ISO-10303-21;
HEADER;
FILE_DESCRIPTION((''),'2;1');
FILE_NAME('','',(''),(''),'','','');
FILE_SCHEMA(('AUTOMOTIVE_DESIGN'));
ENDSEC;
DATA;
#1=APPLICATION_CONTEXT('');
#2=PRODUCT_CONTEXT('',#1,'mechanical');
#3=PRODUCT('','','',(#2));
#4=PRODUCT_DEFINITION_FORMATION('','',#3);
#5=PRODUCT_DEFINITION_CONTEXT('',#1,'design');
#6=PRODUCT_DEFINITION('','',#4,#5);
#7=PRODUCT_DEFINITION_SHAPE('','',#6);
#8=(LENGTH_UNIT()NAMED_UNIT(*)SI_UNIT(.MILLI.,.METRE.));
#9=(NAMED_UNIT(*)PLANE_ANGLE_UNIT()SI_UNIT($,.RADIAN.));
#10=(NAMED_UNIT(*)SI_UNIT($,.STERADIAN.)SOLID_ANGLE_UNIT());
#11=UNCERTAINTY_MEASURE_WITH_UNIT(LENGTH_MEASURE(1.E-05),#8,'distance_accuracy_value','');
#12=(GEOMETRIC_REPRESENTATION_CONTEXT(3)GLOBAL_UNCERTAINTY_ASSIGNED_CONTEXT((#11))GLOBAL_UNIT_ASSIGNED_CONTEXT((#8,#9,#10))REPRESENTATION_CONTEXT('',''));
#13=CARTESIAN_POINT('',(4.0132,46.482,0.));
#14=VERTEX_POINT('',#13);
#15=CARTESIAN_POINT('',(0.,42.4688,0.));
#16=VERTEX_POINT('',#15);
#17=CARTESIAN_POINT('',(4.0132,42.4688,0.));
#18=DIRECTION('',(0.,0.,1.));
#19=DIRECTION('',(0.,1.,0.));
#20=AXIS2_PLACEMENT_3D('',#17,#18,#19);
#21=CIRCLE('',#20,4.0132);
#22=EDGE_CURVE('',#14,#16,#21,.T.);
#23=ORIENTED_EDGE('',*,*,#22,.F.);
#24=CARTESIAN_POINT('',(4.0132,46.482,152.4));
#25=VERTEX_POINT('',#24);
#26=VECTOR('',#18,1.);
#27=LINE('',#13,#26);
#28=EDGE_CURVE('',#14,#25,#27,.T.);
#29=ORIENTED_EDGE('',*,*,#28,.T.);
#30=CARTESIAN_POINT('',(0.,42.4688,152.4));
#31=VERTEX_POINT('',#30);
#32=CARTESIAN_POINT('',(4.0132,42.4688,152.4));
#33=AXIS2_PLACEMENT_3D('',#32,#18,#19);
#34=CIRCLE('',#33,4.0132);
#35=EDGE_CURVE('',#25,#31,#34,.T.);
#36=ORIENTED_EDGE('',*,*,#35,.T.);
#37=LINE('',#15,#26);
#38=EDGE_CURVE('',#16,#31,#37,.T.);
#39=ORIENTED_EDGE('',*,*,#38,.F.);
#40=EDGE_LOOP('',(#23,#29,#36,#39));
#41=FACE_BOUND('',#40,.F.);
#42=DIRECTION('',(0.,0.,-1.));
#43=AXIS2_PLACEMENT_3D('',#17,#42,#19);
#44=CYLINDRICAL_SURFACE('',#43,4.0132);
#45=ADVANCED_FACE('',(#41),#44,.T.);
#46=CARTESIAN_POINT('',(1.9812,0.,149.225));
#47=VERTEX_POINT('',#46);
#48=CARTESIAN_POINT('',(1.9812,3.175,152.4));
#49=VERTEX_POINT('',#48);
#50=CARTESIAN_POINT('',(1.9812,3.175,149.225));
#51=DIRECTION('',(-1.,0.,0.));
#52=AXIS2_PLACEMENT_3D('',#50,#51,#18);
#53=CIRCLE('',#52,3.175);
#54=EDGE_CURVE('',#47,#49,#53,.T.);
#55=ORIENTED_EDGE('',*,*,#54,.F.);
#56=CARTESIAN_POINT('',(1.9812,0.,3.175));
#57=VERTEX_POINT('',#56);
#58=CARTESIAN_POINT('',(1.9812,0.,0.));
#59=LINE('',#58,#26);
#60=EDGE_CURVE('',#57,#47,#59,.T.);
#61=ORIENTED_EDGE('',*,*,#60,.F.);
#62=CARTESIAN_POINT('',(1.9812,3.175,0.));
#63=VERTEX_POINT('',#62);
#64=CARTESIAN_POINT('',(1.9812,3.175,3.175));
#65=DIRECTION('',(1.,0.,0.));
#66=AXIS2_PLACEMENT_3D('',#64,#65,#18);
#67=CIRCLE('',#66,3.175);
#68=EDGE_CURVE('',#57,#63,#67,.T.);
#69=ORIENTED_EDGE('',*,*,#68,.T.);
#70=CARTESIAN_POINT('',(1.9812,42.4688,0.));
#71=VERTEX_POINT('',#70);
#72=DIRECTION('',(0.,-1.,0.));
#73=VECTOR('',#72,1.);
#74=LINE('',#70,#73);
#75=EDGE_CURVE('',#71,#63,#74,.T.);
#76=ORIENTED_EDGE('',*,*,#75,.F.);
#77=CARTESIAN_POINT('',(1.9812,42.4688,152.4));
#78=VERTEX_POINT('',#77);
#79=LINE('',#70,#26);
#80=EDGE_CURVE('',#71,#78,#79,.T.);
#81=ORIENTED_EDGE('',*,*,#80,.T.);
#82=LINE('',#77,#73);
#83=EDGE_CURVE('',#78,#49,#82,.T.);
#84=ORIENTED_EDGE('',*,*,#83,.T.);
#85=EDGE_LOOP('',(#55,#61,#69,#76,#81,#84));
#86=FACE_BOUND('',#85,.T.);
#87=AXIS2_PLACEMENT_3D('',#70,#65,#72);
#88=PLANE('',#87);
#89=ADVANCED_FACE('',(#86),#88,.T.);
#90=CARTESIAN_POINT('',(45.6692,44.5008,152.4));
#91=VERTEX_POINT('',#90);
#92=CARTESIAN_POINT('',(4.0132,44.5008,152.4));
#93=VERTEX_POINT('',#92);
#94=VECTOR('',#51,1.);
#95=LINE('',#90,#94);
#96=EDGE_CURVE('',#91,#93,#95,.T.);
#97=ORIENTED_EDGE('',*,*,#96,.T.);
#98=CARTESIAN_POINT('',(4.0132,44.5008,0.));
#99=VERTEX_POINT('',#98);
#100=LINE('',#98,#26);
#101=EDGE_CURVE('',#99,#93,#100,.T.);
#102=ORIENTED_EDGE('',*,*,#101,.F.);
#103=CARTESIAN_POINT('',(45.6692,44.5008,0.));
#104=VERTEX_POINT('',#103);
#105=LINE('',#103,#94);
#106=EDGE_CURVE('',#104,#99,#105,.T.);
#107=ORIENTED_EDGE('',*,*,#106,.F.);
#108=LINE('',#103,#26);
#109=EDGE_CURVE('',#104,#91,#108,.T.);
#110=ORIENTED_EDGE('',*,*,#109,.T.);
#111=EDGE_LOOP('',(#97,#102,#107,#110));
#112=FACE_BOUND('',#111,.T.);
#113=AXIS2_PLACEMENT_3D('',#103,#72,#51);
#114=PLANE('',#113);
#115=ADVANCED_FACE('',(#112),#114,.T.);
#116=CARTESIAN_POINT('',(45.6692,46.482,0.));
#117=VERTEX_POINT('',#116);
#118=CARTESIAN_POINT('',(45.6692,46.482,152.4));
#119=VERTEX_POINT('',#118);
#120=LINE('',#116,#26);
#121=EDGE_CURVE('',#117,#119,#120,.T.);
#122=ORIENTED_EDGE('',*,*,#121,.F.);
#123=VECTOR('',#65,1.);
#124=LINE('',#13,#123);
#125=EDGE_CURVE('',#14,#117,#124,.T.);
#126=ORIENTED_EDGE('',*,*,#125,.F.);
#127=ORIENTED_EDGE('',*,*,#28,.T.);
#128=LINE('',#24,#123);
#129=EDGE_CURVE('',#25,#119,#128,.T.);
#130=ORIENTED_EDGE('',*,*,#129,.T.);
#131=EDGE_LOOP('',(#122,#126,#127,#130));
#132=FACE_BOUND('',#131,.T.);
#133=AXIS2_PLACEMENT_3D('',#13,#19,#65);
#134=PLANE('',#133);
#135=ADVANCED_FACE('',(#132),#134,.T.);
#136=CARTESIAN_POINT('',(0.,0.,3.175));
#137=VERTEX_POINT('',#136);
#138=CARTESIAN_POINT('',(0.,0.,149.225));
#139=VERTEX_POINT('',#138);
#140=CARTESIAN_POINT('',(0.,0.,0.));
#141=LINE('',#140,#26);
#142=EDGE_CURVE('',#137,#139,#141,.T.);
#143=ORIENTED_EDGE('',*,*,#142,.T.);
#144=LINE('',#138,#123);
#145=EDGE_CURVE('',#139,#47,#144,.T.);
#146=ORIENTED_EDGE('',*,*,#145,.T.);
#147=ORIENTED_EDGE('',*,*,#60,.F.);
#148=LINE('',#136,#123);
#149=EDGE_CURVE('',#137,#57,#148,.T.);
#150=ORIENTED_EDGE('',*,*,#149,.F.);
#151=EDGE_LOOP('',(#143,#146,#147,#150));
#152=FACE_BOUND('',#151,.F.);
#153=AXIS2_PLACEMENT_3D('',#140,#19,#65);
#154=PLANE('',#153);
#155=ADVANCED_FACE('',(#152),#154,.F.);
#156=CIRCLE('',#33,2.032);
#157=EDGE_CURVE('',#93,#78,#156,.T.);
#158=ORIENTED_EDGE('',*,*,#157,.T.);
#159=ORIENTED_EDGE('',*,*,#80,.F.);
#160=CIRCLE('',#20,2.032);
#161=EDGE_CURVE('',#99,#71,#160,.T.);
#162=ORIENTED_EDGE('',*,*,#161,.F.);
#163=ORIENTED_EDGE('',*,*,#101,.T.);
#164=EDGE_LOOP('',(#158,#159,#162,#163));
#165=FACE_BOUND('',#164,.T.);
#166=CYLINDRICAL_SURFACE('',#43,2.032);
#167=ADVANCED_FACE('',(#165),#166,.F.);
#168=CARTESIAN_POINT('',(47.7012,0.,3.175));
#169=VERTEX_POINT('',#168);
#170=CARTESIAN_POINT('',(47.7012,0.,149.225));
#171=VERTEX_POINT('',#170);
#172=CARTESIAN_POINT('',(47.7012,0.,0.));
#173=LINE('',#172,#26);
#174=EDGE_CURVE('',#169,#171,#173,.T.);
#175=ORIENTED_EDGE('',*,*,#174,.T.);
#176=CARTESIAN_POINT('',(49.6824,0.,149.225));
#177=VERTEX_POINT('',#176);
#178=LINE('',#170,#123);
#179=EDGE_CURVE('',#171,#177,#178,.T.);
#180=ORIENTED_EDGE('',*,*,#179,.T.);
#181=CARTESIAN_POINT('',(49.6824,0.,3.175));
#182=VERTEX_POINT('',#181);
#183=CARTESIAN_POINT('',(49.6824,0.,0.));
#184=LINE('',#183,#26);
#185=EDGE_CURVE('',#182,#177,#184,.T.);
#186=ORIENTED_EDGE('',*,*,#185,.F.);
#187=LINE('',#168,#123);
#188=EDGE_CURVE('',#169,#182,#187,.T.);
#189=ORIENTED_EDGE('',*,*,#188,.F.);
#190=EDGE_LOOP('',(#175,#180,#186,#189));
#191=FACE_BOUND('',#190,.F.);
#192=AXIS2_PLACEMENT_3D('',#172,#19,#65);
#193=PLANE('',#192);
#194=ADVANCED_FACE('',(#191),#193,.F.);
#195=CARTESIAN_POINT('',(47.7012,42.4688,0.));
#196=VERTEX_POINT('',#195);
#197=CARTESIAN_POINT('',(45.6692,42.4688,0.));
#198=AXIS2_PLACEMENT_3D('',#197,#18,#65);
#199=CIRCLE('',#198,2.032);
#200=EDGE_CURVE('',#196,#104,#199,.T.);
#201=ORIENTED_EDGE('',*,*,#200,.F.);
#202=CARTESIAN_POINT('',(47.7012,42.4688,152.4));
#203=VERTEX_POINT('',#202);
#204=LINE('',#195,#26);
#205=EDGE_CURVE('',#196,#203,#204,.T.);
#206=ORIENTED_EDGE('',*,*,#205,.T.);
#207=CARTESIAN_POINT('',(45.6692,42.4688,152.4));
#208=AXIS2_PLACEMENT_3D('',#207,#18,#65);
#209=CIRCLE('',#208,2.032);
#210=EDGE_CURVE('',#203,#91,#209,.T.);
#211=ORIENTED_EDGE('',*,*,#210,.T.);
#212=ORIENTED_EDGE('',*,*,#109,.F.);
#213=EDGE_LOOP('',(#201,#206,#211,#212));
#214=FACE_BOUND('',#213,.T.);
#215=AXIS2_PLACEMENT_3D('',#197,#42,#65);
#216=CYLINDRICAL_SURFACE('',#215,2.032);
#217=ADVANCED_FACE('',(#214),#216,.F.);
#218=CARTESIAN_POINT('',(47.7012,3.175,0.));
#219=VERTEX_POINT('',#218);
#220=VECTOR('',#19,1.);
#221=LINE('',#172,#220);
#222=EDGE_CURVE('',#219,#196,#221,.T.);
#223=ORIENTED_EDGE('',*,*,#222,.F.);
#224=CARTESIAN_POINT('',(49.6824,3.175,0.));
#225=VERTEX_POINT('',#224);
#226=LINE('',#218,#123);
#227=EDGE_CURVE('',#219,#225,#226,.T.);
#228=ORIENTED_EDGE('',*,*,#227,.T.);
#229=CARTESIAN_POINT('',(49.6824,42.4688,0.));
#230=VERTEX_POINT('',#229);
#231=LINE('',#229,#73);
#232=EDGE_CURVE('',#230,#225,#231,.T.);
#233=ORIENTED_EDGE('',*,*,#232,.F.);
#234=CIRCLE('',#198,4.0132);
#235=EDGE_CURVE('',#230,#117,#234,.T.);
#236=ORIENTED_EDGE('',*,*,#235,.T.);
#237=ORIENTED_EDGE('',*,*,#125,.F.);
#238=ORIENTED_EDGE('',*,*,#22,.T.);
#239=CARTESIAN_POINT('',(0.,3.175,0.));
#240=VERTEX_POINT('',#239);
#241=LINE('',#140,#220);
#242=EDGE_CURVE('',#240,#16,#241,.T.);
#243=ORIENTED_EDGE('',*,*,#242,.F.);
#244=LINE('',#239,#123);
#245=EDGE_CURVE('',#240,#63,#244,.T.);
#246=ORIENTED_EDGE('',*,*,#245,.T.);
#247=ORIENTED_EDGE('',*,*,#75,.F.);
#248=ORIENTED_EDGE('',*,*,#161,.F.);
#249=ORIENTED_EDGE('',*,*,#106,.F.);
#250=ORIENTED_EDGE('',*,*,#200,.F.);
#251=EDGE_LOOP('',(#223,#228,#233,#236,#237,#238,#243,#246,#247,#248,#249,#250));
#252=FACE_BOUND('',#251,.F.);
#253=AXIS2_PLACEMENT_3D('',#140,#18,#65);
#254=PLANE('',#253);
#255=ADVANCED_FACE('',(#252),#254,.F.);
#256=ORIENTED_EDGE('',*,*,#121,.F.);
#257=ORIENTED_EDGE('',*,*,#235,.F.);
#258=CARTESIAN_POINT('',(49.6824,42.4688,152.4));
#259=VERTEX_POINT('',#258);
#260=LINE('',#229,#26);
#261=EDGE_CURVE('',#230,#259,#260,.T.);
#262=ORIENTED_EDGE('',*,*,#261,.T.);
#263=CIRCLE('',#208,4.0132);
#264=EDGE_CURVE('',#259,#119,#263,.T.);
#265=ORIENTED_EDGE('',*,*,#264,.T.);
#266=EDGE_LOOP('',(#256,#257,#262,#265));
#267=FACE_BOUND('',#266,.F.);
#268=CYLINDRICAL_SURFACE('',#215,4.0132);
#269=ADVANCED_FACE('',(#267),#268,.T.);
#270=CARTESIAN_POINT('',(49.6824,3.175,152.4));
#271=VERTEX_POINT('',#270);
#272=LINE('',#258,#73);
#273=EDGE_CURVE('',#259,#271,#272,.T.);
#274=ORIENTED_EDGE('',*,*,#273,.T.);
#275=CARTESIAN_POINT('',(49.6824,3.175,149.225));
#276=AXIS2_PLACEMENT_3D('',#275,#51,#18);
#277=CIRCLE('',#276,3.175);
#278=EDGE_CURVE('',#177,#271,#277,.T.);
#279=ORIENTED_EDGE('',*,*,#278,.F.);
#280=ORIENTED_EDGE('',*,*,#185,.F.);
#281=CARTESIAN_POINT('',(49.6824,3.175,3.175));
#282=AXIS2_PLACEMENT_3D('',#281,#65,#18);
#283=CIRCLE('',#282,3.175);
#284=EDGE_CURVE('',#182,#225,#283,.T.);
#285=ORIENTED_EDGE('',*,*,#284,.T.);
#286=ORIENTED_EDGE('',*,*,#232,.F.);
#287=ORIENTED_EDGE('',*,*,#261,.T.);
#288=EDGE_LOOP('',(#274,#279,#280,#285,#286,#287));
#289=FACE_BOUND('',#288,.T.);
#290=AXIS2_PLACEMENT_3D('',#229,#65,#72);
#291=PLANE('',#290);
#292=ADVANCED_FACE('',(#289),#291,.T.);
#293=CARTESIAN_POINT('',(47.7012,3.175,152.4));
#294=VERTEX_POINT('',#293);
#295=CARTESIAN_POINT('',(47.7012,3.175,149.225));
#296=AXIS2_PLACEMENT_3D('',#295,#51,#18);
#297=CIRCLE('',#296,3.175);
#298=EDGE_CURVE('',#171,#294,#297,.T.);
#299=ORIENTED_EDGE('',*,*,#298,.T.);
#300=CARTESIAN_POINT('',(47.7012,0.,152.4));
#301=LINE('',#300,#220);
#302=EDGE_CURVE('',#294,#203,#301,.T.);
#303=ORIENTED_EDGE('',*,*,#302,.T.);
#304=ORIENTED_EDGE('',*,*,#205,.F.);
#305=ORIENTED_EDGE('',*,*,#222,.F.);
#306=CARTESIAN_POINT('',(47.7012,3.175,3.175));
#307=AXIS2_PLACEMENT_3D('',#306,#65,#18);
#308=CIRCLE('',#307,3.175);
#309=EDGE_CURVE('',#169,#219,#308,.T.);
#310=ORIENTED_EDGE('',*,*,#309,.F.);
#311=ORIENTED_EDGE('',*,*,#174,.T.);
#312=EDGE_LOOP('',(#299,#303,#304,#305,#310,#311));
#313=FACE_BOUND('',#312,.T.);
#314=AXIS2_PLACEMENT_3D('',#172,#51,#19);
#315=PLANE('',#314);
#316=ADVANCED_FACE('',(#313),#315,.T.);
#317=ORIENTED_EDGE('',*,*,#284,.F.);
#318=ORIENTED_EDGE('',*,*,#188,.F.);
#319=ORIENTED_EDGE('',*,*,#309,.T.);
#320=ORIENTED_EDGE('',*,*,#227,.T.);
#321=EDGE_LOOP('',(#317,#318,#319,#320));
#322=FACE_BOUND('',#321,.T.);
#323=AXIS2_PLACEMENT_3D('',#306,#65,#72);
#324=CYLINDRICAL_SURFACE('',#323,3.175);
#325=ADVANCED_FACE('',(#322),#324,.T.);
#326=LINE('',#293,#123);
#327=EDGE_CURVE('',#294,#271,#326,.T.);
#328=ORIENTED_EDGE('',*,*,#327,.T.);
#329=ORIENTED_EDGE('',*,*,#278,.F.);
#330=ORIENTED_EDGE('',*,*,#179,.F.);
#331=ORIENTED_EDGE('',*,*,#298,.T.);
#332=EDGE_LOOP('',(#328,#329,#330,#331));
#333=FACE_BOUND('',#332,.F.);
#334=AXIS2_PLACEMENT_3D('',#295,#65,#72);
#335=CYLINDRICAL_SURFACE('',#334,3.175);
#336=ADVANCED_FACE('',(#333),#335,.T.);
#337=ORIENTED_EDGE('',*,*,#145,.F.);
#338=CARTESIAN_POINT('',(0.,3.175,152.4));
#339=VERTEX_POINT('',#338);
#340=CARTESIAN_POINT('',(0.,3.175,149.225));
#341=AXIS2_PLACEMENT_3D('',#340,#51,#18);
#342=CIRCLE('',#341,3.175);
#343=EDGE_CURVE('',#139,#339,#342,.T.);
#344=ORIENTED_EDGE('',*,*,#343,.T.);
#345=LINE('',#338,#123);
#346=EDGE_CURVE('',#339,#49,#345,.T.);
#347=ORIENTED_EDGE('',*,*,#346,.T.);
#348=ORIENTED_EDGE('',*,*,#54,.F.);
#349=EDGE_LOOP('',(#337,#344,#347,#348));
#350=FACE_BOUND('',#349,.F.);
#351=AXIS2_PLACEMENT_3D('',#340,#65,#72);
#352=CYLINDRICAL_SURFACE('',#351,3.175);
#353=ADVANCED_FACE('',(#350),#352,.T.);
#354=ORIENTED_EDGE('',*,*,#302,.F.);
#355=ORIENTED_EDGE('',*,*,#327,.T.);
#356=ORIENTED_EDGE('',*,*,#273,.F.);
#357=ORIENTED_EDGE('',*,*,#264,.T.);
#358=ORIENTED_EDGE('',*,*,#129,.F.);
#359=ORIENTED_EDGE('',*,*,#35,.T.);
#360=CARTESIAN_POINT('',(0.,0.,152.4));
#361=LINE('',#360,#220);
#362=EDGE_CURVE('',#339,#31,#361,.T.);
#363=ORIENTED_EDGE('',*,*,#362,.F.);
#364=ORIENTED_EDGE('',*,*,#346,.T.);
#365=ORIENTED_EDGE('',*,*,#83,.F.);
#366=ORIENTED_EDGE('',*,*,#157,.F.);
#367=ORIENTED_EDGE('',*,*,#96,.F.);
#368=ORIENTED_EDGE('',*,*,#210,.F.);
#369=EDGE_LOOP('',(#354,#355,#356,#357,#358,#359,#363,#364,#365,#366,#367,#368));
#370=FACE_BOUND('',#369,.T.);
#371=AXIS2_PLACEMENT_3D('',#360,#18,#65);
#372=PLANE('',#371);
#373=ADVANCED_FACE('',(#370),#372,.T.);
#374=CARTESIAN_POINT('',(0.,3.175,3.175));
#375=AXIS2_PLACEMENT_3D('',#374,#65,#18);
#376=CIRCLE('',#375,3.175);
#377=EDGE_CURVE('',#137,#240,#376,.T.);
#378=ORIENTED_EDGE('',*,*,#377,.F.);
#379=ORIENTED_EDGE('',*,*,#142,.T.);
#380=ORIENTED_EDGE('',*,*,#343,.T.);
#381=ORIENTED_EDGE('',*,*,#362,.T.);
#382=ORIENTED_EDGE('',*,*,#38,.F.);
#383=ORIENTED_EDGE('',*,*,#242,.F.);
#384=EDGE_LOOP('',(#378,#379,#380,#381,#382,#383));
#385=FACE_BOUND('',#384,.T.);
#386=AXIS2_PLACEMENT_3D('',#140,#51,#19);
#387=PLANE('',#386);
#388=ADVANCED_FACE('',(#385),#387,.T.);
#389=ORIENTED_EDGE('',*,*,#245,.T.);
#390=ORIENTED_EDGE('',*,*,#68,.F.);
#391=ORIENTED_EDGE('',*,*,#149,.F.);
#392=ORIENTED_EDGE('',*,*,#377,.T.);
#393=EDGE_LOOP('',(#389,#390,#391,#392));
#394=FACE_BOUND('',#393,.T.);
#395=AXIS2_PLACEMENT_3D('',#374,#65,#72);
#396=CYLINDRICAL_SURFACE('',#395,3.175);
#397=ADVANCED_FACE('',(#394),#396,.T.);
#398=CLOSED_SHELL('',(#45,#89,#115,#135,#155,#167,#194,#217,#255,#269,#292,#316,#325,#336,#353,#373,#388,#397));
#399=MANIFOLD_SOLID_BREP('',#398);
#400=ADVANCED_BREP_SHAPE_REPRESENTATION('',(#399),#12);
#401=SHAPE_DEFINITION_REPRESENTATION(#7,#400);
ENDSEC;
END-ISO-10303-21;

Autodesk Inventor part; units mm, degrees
ref_plane "YZ Plane" through (0, 0, 0) normal (1, 0, 0) x (0, 1, 0)
ref_plane "XZ Plane" through (0, 0, 0) normal (0, 1, 0) x (-1, 0, 0)
ref_plane "XY Plane" through (0, 0, 0) normal (0, 0, 1) x (1, 0, 0)
sketch "Sketch1" plane through (0, 0, 0) normal (0, 0, 1) x (1, 0, 0)
  line L0 (0, 0) -> (0, 42.4688)
  line L1 (4.0132, 46.482) -> (45.6692, 46.482)
  line L2 (49.6824, 42.4688) -> (49.6824, 0)
  arc A0 (4.0132, 46.482) -> (0, 42.4688) centre (4.0132, 42.4688) ccw
  arc A1 (49.6824, 42.4688) -> (45.6692, 46.482) centre (45.6692, 42.4688) ccw
  line L3 (47.7012, 0) -> (47.7012, 42.4688)
  arc A2 (47.7012, 42.4688) -> (45.6692, 44.5008) centre (45.6692, 42.4688) ccw
  line L4 (45.6692, 44.5008) -> (4.0132, 44.5008)
  arc A3 (4.0132, 44.5008) -> (1.9812, 42.4688) centre (4.0132, 42.4688) ccw
  line L5 (1.9812, 42.4688) -> (1.9812, 0)
  line L6 (0, 0) -> (1.9812, 0)
  line L7 (47.7012, 0) -> (49.6824, 0)
  dimension "d1" = 1.9812
  dimension "d3" = 46.482
  dimension "d6" = 45.72
  dimension "d7" = 2.032
extrude "Extrusion1" add sketch "Sketch1" along normal blind 152.4
fillet "Fillet1" radius 3.175 4 edges at (0.9906, 0, 152.4) (48.6918, 0, 152.4) (48.6918, 0, 0) (0.9906, 0, 0)
properties part number "GE-12052"
